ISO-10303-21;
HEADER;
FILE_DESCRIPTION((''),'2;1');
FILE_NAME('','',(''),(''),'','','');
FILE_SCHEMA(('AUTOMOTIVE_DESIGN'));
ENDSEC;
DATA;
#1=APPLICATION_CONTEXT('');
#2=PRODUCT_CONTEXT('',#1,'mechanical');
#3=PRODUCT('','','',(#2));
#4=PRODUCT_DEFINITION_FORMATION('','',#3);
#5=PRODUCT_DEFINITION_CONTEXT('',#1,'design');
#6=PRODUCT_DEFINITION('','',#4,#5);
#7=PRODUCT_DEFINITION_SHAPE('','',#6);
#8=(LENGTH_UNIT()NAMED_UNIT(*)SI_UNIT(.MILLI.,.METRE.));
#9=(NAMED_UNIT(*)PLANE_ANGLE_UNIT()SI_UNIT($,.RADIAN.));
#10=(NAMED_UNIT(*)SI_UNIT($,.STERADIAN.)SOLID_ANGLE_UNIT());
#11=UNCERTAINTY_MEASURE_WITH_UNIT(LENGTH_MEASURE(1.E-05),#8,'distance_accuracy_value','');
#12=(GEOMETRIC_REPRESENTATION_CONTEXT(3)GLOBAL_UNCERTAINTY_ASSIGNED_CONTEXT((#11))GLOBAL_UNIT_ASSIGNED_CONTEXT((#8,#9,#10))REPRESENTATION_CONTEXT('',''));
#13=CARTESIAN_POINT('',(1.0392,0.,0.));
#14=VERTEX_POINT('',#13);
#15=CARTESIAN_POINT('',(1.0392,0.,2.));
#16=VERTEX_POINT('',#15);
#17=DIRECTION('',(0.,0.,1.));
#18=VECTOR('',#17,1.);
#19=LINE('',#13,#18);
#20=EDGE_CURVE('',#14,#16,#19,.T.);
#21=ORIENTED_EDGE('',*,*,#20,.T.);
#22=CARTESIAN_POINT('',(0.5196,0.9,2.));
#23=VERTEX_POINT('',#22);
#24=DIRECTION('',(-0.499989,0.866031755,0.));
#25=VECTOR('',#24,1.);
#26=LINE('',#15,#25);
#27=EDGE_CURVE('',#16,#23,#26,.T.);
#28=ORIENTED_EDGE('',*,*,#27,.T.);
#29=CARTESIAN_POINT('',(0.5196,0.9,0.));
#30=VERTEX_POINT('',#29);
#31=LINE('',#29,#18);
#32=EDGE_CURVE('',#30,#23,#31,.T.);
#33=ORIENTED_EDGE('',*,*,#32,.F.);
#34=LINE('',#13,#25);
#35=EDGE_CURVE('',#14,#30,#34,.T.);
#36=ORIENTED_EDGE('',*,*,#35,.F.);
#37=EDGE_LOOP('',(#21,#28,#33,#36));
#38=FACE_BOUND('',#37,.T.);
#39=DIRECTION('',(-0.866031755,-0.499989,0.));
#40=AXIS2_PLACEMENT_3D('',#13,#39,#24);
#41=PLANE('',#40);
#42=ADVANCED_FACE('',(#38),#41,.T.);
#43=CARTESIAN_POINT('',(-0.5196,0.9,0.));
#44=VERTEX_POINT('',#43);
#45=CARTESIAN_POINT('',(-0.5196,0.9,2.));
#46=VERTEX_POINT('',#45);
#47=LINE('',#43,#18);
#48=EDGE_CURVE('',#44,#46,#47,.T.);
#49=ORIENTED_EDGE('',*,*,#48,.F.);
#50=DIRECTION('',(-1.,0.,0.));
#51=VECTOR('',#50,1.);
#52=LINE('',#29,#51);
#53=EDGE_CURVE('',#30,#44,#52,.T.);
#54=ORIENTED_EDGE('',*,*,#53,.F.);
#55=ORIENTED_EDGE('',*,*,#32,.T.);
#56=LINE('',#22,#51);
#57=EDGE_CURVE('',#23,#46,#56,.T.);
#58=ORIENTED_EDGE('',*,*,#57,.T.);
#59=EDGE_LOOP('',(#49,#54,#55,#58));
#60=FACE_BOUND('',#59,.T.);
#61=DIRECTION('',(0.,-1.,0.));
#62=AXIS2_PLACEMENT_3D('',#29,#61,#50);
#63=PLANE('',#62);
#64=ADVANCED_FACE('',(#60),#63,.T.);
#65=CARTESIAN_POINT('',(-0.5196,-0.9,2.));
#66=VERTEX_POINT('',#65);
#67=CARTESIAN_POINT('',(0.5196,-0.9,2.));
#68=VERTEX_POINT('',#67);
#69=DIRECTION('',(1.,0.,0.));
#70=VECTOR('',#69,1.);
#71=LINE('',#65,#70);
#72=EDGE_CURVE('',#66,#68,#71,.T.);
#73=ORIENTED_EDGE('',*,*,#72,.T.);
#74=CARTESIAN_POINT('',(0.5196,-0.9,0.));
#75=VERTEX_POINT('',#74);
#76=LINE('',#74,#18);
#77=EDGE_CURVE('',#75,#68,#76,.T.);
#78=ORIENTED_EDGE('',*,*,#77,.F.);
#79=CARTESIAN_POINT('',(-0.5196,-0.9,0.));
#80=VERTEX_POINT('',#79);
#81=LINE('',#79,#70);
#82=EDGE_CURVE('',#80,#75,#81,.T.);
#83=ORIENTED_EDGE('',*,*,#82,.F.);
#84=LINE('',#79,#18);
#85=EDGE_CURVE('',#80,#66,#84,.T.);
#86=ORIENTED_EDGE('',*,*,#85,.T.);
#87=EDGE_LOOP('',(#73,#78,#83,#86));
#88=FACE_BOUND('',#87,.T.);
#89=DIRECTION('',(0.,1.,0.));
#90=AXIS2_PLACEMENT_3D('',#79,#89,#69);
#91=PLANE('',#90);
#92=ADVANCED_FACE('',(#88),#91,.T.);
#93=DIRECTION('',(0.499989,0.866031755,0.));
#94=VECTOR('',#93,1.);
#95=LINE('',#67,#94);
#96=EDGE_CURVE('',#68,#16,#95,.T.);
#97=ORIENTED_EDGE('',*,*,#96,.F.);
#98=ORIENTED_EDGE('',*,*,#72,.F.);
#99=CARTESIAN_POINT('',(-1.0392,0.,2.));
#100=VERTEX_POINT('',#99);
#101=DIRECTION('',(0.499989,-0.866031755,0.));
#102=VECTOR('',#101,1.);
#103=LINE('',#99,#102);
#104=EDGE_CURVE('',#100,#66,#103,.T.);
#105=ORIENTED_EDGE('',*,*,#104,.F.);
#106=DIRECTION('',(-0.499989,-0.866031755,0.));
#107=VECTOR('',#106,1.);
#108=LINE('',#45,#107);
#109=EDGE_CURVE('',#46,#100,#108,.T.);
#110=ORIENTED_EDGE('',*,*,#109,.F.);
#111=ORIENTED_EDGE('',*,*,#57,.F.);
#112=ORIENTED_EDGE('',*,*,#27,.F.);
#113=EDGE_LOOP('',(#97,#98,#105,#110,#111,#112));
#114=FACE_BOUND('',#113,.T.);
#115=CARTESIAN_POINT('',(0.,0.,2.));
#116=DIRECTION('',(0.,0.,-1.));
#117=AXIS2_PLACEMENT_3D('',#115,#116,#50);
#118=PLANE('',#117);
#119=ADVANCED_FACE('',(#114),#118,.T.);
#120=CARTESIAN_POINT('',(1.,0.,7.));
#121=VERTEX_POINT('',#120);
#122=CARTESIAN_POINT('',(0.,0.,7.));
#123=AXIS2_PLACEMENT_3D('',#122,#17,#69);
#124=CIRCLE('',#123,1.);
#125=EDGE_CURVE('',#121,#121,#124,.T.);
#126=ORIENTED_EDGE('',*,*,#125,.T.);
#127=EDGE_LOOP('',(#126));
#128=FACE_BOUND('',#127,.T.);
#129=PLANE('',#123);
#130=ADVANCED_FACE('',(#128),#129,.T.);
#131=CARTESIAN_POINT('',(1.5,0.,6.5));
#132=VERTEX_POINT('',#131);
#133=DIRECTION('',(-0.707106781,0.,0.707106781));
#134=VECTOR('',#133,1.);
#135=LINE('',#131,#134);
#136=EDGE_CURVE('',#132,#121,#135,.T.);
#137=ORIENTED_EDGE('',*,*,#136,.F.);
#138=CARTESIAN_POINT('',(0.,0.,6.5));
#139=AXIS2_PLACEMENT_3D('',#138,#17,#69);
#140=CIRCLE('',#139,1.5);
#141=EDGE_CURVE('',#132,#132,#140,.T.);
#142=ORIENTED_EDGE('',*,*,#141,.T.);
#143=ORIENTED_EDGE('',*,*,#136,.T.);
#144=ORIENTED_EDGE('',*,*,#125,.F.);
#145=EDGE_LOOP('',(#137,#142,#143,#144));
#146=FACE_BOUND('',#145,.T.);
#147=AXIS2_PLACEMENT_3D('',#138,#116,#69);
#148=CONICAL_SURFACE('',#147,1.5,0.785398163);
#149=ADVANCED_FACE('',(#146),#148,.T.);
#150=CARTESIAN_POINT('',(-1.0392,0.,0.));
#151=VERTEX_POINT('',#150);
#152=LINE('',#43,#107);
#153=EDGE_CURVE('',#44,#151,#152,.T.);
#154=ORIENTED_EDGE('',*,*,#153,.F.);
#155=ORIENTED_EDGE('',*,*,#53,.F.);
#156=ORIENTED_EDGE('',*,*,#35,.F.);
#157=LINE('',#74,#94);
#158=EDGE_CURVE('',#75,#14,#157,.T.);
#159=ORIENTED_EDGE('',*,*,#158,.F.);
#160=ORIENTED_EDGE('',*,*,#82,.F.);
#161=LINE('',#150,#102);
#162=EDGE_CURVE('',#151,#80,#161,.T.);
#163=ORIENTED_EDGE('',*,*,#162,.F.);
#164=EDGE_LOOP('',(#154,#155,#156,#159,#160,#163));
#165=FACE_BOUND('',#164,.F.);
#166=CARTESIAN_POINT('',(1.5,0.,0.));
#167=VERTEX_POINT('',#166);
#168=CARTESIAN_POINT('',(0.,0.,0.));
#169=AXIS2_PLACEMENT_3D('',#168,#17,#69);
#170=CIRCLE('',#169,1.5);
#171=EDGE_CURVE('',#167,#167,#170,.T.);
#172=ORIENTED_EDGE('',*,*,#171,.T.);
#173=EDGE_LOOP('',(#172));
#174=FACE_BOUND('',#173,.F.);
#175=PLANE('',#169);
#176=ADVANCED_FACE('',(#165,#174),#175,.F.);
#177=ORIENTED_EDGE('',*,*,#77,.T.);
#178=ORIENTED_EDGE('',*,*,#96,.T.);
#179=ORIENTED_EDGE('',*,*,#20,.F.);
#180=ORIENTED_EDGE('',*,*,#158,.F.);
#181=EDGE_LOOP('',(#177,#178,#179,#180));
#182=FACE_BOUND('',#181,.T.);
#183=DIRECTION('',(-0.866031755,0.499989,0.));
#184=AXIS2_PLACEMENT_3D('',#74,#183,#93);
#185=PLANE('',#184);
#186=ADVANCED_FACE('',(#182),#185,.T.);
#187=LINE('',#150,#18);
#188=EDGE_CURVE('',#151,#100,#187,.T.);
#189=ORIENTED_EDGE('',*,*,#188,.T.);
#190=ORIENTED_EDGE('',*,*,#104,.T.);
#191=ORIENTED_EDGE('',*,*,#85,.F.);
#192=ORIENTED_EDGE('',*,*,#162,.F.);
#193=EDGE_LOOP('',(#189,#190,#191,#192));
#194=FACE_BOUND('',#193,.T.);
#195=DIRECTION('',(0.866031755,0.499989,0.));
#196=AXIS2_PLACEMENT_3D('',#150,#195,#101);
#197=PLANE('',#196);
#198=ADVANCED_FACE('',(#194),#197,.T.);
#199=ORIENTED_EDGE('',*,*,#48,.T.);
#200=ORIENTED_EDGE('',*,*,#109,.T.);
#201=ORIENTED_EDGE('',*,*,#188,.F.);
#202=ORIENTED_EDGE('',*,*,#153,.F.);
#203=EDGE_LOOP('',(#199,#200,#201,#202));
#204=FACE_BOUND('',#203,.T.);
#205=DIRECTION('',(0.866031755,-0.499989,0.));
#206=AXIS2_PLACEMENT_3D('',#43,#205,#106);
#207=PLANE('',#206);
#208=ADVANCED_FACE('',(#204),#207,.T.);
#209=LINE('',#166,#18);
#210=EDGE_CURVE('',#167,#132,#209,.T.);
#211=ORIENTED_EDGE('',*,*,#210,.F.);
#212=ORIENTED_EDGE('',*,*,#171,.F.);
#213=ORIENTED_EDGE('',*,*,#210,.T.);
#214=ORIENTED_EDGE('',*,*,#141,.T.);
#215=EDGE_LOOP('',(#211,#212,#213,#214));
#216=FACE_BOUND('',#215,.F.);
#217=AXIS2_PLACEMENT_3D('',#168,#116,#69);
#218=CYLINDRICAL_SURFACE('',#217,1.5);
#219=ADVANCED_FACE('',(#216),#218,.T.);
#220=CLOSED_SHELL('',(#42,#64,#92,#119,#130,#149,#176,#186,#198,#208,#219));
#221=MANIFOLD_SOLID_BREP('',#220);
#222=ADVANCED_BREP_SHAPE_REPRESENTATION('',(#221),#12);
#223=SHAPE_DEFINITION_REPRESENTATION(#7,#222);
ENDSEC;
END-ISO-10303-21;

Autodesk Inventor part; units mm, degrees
ref_plane "YZ Plane" through (0, 0, 0) normal (1, 0, 0) x (0, 1, 0)
ref_plane "XZ Plane" through (0, 0, 0) normal (0, 1, 0) x (-1, 0, 0)
ref_plane "XY Plane" through (0, 0, 0) normal (0, 0, 1) x (1, 0, 0)
sketch "Sketch1" plane through (0, 0, 0) normal (0, 0, 1) x (1, 0, 0)
  circle A0 centre (0, 0) radius 1.5
  dimension "d0" = 3
extrude "Extrusion1" add sketch "Sketch1" along normal blind 7
chamfer "Chamfer1" distance 0.5 angle 45 1 edges at (-1.5, 0, 7)
sketch "Sketch2" plane through (0, 0, 0) normal (0, 0, -1) x (-1, 0, 0)
  line L0 (-0.5196, 0.9) -> (0.5196, 0.9)
  line L1 (0.5196, 0.9) -> (1.0392, 0)
  line L2 (1.0392, 0) -> (0.5196, -0.9)
  line L3 (0.5196, -0.9) -> (-0.5196, -0.9)
  line L4 (-0.5196, -0.9) -> (-1.0392, 0)
  line L5 (-1.0392, 0) -> (-0.5196, 0.9)
  point P0 (0, 0)
  point P1 (0, 0)
  dimension "d6" = 1.8
extrude "Extrusion2" cut sketch "Sketch2" against normal blind 2
properties part number "m3_setscrew"
